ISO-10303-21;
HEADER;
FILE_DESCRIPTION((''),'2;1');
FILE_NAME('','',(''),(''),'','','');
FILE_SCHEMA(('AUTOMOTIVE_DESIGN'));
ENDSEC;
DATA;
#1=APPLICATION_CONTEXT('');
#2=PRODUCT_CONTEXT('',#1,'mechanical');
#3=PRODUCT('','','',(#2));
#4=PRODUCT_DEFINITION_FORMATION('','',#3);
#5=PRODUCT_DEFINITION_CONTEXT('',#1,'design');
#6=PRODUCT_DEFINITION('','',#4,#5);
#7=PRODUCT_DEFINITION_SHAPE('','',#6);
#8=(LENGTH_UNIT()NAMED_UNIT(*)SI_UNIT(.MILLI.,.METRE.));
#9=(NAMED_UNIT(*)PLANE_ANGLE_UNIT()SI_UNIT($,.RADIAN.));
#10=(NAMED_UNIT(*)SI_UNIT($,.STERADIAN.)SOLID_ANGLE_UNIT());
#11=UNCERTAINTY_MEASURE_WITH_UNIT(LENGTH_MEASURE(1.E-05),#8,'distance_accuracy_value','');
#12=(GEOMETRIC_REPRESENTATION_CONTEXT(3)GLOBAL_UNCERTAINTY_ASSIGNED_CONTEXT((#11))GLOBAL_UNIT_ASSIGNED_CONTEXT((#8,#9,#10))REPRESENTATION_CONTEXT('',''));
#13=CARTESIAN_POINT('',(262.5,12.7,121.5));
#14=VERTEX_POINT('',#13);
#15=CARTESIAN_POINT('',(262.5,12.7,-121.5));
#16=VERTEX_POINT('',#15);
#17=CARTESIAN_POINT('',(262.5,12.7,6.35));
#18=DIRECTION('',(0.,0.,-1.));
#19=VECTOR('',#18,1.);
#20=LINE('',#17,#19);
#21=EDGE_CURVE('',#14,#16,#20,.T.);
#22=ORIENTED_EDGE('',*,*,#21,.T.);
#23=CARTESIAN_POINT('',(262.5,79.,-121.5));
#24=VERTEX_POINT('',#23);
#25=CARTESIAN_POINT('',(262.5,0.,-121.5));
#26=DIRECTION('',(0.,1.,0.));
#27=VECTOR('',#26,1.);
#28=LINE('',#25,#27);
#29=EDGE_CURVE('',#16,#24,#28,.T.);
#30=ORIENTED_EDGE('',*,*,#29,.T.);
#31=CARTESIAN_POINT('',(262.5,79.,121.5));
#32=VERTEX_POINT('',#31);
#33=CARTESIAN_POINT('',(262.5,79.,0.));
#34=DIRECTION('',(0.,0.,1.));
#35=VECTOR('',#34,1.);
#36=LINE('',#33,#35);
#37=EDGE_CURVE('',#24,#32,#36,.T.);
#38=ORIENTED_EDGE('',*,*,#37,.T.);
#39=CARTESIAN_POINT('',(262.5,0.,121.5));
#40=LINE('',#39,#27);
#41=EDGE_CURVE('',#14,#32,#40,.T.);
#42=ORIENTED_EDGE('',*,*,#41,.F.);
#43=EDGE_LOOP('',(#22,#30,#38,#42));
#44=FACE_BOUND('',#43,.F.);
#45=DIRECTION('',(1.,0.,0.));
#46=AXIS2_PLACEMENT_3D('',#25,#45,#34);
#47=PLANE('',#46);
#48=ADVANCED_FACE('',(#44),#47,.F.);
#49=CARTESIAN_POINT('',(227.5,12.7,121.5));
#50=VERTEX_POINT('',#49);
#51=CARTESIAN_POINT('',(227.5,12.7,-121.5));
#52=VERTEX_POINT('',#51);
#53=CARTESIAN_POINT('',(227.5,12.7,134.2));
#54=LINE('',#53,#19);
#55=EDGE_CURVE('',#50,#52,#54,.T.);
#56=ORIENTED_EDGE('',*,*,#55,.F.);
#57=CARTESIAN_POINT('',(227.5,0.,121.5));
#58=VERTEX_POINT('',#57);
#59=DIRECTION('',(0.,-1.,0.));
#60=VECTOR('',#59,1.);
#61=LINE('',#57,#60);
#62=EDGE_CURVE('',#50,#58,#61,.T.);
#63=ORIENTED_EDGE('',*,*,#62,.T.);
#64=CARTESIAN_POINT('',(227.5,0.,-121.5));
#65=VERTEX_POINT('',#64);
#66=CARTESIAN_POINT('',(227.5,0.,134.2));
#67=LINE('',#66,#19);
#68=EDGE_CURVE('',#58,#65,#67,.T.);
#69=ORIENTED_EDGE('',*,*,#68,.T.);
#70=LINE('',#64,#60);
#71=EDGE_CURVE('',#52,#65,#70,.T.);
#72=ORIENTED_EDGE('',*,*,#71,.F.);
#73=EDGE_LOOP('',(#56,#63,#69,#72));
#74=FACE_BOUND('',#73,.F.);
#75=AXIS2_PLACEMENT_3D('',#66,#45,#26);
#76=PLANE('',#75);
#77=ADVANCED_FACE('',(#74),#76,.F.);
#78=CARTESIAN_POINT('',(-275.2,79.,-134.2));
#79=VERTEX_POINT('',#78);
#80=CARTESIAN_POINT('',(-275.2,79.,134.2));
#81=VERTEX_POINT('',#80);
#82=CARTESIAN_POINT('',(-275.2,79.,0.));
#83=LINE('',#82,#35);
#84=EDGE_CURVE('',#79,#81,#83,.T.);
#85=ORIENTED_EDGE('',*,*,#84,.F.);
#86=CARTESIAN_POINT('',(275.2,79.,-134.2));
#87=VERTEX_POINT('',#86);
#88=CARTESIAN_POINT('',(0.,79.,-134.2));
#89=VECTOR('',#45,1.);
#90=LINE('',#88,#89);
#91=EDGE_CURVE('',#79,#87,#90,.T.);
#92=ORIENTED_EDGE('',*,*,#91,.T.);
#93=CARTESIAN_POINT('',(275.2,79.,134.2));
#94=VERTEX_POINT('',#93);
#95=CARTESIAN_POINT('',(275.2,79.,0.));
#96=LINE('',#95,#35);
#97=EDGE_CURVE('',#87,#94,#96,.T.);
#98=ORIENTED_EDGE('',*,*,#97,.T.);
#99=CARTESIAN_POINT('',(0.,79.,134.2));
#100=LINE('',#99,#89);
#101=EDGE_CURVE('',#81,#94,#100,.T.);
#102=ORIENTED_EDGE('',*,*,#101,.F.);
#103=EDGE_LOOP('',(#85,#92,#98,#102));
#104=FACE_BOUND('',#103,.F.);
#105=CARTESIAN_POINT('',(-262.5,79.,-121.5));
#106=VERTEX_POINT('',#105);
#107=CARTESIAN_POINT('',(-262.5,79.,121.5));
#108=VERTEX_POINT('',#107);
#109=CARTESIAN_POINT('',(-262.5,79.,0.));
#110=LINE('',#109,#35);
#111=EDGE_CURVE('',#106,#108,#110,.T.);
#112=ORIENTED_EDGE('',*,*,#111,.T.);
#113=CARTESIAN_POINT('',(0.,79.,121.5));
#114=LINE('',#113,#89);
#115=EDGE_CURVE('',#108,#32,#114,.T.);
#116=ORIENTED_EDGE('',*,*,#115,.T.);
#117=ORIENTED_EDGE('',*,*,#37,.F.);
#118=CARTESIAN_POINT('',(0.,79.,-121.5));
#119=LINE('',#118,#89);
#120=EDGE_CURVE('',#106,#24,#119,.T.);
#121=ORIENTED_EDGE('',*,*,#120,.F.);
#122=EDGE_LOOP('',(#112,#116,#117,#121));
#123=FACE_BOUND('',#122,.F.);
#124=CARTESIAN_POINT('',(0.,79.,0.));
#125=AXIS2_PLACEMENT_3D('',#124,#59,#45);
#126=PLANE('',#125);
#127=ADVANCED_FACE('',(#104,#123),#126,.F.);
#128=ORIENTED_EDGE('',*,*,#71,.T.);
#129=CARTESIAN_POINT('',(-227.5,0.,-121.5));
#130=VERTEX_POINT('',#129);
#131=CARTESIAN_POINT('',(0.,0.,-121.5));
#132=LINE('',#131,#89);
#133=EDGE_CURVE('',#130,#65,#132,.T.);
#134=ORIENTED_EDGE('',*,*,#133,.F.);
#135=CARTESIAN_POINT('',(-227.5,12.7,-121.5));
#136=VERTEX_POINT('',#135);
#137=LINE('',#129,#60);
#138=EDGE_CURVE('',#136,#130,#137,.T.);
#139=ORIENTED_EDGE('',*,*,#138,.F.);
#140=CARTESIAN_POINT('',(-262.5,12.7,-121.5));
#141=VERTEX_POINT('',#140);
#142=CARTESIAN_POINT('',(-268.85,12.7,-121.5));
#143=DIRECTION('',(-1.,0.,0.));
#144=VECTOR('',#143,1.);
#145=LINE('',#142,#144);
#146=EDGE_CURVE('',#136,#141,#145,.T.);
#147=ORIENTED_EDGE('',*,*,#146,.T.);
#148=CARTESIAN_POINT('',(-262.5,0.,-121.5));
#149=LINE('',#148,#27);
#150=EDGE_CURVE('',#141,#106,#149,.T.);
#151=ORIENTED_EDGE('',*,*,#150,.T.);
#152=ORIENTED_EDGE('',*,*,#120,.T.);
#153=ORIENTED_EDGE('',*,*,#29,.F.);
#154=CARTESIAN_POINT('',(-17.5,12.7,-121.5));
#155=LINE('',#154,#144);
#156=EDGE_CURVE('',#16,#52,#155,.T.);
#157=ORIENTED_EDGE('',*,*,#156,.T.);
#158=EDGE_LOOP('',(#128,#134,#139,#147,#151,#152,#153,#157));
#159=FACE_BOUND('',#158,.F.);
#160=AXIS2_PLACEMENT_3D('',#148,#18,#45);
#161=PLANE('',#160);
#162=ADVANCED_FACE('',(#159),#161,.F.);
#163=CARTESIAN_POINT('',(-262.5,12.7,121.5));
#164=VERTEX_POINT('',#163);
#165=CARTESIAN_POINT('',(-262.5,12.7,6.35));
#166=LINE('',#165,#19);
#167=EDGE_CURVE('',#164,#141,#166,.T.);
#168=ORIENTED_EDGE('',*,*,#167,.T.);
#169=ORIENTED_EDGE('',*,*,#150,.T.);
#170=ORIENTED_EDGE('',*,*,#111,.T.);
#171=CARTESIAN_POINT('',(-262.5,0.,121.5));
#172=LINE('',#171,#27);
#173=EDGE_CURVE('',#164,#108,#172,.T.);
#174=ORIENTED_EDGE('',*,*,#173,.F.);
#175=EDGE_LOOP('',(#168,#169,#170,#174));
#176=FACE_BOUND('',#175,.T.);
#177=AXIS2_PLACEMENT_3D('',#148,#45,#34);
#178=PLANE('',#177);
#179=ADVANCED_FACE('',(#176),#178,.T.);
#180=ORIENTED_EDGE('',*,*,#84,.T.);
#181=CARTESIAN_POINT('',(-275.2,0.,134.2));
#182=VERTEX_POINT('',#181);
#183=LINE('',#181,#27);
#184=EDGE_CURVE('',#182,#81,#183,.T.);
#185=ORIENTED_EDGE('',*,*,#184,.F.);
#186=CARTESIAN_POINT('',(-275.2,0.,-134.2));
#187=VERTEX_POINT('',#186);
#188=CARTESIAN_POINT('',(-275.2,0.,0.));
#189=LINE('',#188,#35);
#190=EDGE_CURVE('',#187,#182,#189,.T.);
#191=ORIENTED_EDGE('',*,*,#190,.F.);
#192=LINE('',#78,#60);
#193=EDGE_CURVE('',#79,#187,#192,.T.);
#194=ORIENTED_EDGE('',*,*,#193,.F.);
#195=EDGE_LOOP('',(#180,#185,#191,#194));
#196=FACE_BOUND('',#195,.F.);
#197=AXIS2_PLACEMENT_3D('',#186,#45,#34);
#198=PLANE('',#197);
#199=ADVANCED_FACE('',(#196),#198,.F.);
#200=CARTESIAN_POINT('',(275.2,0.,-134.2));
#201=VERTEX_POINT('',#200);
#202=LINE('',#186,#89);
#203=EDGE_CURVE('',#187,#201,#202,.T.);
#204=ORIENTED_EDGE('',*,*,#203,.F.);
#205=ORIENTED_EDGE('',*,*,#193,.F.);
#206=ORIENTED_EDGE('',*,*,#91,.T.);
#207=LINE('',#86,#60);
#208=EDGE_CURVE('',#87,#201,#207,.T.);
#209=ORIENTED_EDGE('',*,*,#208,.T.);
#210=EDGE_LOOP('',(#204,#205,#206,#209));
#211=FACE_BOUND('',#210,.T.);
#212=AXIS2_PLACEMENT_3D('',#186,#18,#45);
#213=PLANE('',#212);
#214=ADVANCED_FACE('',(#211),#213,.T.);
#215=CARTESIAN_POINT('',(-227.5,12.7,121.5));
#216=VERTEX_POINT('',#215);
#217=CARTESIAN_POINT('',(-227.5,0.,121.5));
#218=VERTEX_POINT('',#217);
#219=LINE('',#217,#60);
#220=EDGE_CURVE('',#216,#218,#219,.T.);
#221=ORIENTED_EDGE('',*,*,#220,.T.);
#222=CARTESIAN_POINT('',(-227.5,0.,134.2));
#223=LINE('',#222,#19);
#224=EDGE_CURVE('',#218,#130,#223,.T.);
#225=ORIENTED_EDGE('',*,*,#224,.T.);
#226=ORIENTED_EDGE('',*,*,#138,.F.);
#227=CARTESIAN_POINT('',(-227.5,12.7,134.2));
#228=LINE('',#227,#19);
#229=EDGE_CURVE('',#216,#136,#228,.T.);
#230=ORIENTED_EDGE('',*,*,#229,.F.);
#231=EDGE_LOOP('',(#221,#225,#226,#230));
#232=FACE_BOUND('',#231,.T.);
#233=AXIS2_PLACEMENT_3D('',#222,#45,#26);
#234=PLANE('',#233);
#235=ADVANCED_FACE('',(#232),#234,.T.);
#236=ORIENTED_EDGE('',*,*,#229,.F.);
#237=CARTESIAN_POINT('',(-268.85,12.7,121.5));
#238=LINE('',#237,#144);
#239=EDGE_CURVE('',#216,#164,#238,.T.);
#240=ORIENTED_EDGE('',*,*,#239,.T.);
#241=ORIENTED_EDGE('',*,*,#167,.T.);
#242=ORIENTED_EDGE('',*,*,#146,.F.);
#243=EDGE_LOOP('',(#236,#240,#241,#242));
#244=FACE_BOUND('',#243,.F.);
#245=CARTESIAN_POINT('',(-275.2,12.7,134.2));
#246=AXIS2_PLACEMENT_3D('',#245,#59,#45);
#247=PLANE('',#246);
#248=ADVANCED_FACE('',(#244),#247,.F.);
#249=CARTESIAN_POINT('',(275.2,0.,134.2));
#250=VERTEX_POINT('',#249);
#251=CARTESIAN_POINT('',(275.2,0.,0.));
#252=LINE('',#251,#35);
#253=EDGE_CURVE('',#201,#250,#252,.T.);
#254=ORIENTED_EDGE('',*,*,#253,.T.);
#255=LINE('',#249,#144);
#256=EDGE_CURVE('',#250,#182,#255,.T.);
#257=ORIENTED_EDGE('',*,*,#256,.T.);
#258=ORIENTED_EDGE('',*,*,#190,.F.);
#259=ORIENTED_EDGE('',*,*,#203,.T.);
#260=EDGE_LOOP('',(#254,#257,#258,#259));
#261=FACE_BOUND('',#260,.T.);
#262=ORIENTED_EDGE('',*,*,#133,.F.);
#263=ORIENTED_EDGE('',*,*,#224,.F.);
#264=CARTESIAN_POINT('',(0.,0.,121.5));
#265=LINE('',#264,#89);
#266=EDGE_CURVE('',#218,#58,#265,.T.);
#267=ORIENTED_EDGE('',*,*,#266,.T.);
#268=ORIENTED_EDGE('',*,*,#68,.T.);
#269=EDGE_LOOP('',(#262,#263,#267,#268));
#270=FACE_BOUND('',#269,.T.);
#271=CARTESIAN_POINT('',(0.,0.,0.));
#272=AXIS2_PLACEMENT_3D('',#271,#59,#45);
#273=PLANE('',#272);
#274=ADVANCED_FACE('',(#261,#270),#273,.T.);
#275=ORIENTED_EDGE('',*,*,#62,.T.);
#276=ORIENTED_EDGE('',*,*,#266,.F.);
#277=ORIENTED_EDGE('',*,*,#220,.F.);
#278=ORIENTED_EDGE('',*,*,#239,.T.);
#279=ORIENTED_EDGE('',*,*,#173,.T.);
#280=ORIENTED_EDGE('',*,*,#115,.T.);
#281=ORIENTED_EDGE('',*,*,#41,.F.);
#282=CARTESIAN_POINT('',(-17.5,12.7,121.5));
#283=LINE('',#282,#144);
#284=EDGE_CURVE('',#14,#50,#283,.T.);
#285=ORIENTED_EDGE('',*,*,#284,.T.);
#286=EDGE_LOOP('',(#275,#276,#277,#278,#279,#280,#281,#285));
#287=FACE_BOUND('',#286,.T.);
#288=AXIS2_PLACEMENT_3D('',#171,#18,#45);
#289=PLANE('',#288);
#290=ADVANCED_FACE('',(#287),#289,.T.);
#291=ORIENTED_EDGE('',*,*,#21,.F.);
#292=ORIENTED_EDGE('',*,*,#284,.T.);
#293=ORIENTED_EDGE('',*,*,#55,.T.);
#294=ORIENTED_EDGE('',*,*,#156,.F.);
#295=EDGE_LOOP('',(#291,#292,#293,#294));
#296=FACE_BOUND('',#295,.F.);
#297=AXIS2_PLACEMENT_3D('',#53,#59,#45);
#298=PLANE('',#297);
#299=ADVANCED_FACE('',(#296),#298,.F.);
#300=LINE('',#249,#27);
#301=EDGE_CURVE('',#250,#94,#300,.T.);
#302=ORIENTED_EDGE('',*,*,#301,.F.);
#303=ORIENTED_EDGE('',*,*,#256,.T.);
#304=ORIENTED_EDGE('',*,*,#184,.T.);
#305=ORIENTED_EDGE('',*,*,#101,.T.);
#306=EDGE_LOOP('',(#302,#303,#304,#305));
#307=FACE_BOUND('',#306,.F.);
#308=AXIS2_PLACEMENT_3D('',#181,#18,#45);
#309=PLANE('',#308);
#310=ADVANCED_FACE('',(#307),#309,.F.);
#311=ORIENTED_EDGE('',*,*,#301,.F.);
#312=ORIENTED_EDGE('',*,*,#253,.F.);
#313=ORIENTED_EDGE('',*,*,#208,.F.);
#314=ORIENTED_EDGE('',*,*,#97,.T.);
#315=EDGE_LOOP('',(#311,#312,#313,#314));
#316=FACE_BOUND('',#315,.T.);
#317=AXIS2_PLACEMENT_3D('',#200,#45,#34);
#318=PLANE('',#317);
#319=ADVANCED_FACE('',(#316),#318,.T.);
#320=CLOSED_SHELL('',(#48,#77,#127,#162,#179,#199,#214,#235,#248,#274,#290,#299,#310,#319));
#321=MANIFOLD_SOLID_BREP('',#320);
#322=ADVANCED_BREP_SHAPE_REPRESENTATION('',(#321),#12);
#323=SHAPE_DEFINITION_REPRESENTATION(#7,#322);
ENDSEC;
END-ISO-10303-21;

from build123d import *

# Parameters (mm, degrees)
F0_W     = 550.4
F0_H     = 268.4
F0_W_2   = 525
F0_H_2   = 243
F1_DEPTH = 79
F2_W     = 47.7
F2_H     = 12.7
F3_DEPTH = 268.4


with BuildPart() as f1:
    # F0 (on Front) → F1 (new body)
    with BuildSketch(Plane.XZ):
        Rectangle(F0_W, F0_H)
        Rectangle(F0_W_2, F0_H_2, mode=Mode.SUBTRACT)
    extrude(amount=-F1_DEPTH)

    # F2 (on face) → F3 (join, through all)
    with BuildSketch(Plane.XY.offset(134.2)):
        with Locations((-251.35, 6.35)):
            Rectangle(F2_W, F2_H)
        with Locations((251.35, 6.35)):
            Rectangle(F2_W, F2_H)
    extrude(amount=-F3_DEPTH)


solid = f1.part
